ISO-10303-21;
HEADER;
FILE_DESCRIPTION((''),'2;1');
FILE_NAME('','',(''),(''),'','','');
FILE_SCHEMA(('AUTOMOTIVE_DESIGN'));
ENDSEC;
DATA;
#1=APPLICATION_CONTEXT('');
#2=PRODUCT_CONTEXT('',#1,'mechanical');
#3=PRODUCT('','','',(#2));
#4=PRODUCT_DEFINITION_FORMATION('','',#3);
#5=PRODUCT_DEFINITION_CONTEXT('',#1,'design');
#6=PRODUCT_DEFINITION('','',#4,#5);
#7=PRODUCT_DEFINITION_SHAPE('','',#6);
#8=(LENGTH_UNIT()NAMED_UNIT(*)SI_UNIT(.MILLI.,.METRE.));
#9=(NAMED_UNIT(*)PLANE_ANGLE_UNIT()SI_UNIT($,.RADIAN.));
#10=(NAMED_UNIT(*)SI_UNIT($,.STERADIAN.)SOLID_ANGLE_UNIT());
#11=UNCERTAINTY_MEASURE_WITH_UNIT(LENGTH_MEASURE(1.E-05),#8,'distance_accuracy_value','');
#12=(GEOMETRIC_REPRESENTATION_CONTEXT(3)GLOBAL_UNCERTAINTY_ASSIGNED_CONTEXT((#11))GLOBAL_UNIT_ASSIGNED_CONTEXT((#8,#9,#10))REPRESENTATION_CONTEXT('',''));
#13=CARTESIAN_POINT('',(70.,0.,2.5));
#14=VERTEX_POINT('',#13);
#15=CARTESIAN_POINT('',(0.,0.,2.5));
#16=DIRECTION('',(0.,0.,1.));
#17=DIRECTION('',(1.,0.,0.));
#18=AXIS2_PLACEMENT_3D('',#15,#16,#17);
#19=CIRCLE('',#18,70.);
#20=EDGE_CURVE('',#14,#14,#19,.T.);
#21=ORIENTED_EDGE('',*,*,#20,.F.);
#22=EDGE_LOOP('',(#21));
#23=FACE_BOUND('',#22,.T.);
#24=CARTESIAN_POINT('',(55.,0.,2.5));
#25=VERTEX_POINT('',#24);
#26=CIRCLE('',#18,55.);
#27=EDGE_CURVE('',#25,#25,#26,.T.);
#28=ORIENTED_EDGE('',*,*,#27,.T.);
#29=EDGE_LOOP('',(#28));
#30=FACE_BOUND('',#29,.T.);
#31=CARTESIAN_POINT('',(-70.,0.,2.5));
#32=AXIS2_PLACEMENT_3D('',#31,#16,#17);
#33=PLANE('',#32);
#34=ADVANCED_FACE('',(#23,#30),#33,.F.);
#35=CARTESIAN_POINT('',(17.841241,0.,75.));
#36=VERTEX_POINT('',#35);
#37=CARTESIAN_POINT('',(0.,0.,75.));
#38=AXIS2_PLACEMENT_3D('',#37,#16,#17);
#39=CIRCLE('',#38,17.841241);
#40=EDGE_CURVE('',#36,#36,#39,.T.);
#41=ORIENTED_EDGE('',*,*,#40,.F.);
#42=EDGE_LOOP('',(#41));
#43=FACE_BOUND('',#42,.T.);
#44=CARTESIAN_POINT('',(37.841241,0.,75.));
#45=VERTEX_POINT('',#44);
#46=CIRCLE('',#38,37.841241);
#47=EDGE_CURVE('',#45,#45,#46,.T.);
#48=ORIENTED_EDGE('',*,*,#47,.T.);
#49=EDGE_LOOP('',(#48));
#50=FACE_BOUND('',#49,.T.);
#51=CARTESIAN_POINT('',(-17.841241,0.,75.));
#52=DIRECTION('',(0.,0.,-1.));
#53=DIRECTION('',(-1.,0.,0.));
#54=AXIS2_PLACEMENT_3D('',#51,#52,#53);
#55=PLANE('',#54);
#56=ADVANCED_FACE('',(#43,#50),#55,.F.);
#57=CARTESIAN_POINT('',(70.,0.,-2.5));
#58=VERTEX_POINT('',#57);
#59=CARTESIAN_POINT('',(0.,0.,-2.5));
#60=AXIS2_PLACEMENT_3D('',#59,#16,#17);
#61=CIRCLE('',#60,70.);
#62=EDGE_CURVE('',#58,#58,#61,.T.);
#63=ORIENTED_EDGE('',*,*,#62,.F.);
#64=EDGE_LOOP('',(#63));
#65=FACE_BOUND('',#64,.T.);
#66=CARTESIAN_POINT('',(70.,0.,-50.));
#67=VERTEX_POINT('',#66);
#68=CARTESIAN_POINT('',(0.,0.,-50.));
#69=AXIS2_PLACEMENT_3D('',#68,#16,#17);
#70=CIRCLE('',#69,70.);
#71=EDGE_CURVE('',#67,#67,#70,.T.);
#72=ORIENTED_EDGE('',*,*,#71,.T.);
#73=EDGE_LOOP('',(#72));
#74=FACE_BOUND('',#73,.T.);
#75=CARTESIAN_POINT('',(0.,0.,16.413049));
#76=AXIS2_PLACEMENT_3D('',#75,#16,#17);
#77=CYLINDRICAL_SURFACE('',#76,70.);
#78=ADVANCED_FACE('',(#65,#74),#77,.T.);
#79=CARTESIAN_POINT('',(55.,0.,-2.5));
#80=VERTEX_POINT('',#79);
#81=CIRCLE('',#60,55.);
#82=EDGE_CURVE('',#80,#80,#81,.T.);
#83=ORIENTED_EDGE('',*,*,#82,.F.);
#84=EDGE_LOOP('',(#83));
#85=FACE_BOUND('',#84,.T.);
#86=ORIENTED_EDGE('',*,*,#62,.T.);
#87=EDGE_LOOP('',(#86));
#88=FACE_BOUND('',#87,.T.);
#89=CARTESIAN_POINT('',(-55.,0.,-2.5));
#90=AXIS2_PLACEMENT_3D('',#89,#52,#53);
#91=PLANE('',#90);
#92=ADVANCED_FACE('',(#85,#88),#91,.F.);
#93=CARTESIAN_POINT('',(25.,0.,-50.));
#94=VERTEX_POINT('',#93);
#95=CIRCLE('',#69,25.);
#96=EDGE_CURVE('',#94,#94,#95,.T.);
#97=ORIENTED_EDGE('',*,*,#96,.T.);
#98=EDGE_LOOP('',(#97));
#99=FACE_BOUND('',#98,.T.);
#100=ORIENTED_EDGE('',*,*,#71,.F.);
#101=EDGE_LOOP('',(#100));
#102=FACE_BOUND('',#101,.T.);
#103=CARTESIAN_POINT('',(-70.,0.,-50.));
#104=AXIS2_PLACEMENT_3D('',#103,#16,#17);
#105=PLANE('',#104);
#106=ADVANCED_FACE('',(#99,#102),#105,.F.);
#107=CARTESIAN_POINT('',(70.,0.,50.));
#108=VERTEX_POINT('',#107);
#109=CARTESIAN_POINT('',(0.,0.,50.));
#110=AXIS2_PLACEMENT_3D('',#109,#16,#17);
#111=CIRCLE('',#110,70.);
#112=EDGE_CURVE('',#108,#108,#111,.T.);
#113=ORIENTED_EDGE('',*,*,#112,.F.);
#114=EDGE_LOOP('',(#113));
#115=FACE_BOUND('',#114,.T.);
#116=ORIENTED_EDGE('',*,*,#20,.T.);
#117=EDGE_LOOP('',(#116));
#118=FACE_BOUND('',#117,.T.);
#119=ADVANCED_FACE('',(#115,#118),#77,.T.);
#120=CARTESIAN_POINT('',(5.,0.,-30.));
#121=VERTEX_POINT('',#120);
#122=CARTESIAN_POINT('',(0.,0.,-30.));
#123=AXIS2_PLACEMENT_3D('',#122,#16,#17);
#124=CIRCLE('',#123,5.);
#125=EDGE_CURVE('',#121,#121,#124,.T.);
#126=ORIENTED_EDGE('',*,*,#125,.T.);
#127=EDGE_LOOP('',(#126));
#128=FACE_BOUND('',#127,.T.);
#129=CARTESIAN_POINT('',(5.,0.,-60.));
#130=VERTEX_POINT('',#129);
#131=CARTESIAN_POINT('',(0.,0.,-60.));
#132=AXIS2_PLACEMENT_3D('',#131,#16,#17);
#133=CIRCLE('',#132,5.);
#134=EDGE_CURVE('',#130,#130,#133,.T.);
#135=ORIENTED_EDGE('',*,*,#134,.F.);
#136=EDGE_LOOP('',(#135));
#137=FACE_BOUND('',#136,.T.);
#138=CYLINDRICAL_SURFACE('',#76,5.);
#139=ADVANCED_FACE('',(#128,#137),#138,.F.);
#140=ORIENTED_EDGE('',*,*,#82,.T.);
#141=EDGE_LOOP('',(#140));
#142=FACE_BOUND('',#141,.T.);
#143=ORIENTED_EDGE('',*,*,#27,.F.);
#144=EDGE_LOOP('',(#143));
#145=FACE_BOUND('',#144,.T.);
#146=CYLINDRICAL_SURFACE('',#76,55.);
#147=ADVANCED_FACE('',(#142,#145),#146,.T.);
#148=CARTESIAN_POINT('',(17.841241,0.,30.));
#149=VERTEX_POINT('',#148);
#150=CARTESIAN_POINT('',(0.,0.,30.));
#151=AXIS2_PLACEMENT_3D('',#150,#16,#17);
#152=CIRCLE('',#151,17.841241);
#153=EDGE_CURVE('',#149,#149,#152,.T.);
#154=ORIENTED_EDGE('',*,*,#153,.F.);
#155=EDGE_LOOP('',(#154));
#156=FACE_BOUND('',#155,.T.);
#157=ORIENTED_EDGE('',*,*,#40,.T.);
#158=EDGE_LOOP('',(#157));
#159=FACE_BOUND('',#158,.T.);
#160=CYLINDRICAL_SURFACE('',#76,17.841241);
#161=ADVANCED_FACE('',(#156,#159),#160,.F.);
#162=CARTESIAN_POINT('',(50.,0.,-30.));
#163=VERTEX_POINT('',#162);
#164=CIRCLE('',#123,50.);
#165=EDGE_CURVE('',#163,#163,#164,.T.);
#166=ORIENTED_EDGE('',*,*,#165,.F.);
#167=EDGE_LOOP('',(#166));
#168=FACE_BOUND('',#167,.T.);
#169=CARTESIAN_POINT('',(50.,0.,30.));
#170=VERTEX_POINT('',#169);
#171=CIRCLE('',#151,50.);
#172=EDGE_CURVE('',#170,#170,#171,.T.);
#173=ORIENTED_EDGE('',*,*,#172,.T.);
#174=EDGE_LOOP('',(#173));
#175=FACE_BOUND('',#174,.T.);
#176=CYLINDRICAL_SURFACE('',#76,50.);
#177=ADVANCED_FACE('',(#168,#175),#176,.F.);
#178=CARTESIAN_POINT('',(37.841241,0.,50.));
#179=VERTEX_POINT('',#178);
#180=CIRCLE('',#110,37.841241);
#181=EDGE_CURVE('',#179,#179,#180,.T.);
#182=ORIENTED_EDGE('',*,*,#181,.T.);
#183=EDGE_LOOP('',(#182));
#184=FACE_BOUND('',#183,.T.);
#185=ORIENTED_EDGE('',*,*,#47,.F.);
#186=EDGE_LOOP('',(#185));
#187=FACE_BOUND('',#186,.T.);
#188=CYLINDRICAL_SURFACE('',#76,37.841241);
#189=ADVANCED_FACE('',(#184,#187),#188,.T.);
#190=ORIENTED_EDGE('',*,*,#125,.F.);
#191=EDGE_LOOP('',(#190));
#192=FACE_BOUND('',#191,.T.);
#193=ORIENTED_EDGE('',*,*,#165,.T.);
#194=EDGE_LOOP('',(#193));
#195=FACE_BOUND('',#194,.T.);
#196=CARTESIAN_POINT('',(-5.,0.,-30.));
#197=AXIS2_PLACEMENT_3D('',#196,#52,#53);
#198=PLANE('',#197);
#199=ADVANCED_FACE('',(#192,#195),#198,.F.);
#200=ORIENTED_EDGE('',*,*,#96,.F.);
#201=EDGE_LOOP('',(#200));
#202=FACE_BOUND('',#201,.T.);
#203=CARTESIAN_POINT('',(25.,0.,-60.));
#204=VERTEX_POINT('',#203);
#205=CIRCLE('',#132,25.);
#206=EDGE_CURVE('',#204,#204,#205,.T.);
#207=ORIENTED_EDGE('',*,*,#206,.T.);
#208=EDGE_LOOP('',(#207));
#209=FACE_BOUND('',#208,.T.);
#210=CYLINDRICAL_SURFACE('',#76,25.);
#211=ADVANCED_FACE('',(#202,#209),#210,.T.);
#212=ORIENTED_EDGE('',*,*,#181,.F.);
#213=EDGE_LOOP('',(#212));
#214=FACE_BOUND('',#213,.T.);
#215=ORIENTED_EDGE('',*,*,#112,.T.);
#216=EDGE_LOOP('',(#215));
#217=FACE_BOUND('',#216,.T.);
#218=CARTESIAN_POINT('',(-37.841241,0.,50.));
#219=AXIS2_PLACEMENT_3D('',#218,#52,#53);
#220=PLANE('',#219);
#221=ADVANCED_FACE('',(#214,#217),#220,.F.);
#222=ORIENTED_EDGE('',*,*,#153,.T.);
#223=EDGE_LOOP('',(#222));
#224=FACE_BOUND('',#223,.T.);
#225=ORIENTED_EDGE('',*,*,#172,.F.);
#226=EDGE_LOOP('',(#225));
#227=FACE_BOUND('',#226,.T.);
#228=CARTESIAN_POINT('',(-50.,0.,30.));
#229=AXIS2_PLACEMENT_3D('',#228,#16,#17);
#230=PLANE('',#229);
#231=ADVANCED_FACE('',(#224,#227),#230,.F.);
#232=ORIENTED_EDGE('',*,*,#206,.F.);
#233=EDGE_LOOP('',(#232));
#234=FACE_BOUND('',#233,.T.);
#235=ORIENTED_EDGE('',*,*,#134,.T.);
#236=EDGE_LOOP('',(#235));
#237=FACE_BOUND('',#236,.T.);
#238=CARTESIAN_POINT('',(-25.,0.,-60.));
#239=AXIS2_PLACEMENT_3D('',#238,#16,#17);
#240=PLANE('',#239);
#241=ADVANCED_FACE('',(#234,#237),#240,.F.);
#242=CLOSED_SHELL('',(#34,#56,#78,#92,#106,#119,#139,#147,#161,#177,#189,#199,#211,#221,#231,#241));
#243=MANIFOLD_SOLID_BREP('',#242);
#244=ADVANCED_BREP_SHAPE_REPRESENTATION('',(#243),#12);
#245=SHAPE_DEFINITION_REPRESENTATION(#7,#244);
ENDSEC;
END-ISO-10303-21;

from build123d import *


with BuildPart() as part:
    # Sketch1 → Revolve1 (revolve)
    with BuildSketch(Plane(origin=(0, 0, 0), x_dir=(1, 0, 0), z_dir=(0, 1, 0)), mode=Mode.PRIVATE) as revolve1_sk:
        Polygon((-5, 60), (-5, 30), (-50, 30), (-50, -30), (-17.841241162, -30), (-17.841241162, -75), (-37.841241162, -75), (-37.841241162, -50), (-70, -50), (-70, -2.5), (-55, -2.5), (-55, 2.5), (-70, 2.5), (-70, 50), (-25, 50), (-25, 60), align=None)
    revolve(revolve1_sk.sketch.rotate(Axis((0, 0, 16.413049125), (0, 0, -1)), 180), axis=Axis((0, 0, 16.413049125), (0, 0, -1)))


solid = part.part
